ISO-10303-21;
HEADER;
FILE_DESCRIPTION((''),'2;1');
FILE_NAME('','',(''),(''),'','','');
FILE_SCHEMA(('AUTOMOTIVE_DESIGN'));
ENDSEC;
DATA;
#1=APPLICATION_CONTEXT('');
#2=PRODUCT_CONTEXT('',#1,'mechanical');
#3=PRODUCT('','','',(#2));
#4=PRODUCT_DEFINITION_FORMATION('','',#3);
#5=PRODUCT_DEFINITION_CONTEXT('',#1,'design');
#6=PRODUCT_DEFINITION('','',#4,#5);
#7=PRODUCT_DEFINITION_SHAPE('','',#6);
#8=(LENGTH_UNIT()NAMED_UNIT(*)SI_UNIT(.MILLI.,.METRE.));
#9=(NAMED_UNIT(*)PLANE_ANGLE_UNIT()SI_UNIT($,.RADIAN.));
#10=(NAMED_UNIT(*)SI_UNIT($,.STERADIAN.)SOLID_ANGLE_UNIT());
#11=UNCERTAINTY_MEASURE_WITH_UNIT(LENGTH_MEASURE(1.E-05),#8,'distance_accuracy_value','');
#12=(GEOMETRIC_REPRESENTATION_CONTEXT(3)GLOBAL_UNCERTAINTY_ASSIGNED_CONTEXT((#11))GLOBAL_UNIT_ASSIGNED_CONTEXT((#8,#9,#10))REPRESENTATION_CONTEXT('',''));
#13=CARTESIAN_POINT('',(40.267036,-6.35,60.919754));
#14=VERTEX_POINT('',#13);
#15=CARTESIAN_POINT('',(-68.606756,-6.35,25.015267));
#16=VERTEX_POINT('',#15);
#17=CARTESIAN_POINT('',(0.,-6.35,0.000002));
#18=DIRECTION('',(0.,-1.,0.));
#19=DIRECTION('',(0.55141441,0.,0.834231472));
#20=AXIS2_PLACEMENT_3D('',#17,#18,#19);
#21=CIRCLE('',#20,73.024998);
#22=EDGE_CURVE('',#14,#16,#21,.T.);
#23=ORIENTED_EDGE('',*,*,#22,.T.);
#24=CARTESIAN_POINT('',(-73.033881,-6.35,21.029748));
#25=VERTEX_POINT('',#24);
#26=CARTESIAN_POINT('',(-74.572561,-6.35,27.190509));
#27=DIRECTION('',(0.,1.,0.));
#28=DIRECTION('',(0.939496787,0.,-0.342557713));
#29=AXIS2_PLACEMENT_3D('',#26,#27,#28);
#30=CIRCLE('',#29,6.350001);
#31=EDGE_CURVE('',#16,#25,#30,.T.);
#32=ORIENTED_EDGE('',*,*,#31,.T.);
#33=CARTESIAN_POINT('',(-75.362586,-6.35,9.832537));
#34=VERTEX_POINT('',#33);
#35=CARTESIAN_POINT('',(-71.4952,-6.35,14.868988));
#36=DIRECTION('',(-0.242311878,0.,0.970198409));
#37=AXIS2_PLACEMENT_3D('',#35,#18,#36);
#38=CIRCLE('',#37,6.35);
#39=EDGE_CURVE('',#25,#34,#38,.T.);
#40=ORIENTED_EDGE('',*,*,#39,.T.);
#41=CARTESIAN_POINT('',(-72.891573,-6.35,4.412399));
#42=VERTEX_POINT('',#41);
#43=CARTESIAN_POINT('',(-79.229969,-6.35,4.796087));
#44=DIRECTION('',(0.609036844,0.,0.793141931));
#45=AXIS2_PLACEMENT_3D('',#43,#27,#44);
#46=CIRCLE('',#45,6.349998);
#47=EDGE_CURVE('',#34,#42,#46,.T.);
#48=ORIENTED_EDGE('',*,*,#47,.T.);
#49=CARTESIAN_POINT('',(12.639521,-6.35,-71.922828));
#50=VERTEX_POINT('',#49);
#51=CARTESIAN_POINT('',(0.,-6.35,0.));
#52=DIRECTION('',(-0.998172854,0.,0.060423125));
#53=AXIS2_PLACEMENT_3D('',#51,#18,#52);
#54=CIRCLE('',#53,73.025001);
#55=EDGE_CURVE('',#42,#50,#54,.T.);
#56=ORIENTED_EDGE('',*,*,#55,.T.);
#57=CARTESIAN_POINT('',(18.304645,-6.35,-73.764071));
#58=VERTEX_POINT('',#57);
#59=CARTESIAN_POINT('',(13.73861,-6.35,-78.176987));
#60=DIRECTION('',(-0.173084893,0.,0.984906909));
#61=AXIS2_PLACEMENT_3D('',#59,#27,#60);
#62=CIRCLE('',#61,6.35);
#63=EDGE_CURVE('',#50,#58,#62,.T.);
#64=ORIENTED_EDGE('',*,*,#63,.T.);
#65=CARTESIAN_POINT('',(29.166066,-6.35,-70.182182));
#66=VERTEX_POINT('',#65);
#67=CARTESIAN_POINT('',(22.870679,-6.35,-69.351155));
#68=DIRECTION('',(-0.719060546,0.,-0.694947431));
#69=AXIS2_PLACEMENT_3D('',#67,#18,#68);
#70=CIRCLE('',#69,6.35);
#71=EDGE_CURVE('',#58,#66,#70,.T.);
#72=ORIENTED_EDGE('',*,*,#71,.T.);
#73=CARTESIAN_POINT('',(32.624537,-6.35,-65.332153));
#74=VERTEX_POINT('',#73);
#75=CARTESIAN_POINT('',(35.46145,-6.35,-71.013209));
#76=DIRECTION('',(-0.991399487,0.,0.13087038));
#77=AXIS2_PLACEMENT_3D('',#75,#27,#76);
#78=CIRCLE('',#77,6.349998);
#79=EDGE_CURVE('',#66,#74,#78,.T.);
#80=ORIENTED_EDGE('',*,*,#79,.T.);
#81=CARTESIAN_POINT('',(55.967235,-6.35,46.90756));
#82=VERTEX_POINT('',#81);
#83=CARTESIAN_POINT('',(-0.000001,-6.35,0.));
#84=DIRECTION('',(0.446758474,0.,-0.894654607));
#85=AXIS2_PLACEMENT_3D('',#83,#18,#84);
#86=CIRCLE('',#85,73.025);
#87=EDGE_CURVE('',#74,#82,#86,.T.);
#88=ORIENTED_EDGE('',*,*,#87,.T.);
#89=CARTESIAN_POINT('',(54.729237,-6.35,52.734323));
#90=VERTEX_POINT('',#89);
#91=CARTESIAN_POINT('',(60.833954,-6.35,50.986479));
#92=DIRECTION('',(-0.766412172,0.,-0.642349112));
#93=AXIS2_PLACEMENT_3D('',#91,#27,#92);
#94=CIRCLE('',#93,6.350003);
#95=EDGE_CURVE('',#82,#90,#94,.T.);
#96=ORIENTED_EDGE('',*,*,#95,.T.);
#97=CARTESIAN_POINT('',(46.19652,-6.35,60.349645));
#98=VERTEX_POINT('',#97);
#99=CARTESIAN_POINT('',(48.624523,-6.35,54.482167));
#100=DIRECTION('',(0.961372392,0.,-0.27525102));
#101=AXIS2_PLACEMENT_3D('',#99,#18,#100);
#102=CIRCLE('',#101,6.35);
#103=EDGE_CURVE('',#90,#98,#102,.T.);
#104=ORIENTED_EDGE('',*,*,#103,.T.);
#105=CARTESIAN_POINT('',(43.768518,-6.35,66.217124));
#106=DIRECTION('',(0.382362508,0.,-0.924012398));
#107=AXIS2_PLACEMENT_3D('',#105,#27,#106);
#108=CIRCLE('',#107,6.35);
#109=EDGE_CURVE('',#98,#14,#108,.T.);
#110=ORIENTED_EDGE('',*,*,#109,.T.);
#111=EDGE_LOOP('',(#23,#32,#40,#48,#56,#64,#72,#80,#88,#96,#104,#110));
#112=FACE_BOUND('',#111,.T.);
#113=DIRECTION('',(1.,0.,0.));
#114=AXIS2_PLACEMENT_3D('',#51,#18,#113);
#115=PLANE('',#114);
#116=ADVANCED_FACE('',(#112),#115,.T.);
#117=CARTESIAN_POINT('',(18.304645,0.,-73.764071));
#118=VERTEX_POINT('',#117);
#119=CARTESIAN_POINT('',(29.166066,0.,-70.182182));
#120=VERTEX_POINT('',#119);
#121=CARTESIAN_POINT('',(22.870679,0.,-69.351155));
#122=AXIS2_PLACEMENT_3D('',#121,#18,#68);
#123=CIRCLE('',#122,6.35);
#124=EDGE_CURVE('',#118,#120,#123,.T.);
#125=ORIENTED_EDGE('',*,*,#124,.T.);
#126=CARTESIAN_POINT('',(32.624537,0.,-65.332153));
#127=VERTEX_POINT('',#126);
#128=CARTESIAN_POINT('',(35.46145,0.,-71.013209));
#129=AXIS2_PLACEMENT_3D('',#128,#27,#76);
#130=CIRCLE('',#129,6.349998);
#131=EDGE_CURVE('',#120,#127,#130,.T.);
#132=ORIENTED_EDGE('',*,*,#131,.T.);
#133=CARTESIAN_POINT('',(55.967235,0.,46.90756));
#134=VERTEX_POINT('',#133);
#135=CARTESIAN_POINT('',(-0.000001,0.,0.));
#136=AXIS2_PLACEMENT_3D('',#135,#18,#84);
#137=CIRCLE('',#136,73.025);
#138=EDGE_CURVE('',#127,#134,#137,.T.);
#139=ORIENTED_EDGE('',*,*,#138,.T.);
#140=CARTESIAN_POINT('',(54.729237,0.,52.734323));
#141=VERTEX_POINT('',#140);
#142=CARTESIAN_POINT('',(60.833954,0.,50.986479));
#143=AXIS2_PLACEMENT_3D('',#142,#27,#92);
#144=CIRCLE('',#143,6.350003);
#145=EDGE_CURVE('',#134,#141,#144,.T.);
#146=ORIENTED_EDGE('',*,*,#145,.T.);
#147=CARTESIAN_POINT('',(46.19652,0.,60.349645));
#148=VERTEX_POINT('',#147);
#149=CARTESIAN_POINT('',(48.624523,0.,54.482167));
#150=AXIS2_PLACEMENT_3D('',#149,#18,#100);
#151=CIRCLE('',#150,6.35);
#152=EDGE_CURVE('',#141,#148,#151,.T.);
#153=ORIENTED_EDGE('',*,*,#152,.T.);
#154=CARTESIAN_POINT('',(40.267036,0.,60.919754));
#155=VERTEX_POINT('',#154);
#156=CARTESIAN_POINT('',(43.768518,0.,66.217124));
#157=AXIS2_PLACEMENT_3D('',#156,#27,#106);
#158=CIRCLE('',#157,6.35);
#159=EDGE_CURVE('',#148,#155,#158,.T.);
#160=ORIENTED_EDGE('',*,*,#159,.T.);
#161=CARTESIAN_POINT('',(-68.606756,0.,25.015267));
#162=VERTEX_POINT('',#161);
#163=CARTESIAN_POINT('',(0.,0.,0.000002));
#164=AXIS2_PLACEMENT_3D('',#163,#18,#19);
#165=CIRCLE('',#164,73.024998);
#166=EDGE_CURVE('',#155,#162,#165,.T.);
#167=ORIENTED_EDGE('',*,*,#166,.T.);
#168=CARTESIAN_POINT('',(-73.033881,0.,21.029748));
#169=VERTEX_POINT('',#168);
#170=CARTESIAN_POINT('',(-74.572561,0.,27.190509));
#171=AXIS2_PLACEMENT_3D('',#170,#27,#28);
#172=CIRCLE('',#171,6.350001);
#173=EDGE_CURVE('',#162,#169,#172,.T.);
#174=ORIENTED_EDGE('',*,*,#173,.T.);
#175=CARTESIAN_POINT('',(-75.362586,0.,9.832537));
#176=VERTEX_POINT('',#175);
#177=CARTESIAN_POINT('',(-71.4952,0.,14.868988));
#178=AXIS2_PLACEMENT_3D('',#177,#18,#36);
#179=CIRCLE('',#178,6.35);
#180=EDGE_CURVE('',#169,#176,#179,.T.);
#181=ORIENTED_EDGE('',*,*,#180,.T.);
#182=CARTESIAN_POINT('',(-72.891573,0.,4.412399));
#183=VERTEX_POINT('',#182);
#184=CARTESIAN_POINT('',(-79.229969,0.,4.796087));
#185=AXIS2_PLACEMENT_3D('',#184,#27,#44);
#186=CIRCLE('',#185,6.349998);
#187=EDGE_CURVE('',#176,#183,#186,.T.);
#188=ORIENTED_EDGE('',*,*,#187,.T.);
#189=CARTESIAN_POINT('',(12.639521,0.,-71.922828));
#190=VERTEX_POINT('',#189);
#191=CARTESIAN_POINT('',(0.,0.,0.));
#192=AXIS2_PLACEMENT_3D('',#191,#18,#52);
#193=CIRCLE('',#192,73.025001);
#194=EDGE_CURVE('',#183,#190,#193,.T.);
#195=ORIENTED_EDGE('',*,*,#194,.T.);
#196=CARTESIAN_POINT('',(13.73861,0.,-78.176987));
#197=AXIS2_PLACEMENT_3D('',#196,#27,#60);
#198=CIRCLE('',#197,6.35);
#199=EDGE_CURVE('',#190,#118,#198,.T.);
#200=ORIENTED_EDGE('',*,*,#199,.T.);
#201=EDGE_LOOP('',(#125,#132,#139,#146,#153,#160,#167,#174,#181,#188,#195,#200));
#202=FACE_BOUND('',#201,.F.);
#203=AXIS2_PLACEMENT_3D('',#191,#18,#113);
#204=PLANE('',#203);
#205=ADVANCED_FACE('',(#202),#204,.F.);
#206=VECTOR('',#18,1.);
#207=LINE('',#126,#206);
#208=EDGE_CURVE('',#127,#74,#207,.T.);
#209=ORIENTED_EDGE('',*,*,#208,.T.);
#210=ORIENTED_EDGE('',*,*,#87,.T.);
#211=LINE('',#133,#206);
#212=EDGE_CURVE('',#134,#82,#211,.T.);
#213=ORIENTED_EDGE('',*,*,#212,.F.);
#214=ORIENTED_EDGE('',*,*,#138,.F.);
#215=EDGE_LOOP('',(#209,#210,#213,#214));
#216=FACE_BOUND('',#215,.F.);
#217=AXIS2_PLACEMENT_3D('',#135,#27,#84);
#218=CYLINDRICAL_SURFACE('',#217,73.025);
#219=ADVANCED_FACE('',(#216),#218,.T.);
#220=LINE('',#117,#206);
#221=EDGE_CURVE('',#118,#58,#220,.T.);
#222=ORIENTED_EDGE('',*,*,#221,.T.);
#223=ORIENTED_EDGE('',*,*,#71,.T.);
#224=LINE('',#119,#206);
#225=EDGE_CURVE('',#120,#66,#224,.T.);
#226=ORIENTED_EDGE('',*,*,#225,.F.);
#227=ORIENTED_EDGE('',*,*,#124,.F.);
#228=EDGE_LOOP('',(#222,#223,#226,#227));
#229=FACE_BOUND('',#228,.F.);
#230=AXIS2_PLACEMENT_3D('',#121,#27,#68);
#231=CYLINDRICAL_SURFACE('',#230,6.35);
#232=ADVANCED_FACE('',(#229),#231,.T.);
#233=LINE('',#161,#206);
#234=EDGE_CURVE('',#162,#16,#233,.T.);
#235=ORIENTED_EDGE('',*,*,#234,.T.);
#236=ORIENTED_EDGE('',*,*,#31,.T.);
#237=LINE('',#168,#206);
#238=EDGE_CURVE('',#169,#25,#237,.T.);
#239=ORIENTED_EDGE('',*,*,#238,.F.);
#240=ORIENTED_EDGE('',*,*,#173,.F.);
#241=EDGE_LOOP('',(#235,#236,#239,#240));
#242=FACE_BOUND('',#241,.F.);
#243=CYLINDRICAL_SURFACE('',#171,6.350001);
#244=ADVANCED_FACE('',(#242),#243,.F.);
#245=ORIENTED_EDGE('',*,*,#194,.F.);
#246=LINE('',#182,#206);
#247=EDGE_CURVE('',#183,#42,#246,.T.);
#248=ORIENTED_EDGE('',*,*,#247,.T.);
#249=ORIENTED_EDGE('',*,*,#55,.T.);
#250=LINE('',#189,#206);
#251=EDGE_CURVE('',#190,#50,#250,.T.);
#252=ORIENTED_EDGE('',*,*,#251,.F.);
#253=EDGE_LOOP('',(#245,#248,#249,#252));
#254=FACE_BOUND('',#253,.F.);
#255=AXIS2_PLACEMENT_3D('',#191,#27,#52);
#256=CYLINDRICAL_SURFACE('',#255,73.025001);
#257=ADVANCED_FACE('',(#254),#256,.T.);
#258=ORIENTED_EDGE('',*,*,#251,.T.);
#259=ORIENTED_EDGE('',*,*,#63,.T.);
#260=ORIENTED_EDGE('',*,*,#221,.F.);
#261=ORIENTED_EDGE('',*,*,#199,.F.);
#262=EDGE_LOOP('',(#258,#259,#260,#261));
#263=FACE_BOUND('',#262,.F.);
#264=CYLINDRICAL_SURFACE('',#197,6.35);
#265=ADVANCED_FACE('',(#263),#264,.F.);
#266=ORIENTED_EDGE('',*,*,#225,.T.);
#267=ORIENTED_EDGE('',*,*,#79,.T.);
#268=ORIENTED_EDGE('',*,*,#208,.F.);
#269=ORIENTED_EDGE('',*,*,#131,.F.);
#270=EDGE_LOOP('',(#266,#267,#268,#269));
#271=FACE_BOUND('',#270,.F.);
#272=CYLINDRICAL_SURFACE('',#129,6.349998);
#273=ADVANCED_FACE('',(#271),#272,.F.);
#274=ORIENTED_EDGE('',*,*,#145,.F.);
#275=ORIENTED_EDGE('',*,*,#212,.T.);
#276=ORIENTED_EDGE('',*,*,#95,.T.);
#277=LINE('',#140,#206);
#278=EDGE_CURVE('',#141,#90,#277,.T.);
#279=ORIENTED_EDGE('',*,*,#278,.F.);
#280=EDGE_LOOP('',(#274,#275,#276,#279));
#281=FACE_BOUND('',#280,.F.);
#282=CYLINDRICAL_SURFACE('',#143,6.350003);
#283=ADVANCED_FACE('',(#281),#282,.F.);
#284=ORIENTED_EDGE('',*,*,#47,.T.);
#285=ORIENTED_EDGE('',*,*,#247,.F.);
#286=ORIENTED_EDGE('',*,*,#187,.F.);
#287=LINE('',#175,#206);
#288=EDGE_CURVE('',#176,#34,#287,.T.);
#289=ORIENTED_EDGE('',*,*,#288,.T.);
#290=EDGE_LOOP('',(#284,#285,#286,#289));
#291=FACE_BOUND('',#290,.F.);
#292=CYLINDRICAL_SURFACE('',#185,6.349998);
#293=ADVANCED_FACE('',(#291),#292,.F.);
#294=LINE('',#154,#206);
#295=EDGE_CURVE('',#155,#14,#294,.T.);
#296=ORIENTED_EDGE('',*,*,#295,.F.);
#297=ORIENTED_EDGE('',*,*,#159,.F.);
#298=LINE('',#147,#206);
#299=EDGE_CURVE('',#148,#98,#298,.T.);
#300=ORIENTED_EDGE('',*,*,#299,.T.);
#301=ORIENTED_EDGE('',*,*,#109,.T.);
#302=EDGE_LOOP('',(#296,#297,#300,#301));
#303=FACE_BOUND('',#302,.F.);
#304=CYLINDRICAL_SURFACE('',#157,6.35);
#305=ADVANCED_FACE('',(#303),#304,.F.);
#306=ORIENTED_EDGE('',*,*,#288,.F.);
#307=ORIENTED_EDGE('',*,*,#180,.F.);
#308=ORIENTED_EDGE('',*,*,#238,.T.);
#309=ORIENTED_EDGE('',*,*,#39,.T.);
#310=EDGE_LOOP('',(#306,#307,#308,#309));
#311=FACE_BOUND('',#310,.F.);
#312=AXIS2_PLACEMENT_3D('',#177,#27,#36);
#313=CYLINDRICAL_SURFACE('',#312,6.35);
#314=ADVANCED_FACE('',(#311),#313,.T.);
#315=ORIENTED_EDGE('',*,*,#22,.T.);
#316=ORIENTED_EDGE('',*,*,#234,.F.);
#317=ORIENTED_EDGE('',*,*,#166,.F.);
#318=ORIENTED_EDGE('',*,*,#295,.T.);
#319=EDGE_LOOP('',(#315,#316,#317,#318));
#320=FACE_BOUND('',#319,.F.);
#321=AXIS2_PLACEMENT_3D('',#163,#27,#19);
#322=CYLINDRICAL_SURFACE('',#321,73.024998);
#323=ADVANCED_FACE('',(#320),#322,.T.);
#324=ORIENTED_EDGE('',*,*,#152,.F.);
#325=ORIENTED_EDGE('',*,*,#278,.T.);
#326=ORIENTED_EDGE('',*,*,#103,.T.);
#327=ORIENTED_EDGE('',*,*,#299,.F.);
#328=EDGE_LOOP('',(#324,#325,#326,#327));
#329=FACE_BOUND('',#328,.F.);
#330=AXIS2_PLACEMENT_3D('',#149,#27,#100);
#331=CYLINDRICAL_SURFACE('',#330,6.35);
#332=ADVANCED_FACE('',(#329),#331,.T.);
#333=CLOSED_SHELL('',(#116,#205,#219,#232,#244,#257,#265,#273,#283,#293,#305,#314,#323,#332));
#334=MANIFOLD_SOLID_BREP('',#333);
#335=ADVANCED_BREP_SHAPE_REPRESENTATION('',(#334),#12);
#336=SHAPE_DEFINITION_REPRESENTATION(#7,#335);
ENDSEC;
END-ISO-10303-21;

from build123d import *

# Parameters (mm, degrees)
F1_DEPTH = 6.35
F2_DEPTH = 6.35


with BuildPart() as f1:
    # F0 (on Front) → F1 (new body)
    with BuildSketch(Plane.XZ):
        with BuildLine():
            ThreePointArc((46.19652, 60.349645), (43.160779, 59.896273), (40.267036, 60.919754))
            ThreePointArc((40.267036, 60.919754), (-22.87068, 69.351155), (-68.606756, 25.015267))
            ThreePointArc((-68.606756, 25.015267), (-70.323983, 22.471177), (-73.033881, 21.029748))
            ThreePointArc((-73.033881, 21.029748), (-77.712175, 16.161943), (-75.362586, 9.832537))
            ThreePointArc((-75.362586, 9.832537), (-73.452084, 7.430195), (-72.891573, 4.412399))
            ThreePointArc((-72.891573, 4.412399), (-48.624522, -54.482167), (12.639521, -71.922828))
            ThreePointArc((12.639521, -71.922828), (15.701382, -72.137945), (18.304645, -73.764071))
            ThreePointArc((18.304645, -73.764071), (24.859434, -75.38169), (29.166066, -70.182182))
            ThreePointArc((29.166066, -70.182182), (30.291304, -67.326468), (32.624537, -65.332153))
            ThreePointArc((32.624537, -65.332153), (71.495201, -14.868988), (55.967235, 46.90756))
            ThreePointArc((55.967235, 46.90756), (54.622602, 49.666768), (54.729237, 52.734323))
            ThreePointArc((54.729237, 52.734323), (52.852741, 59.219747), (46.19652, 60.349645))
        make_face()
    extrude(amount=F1_DEPTH)

    # F0 (on Front) → F2 (join)
    with BuildSketch(Plane.XZ):
        with BuildLine():
            ThreePointArc((46.19652, 60.349645), (43.160779, 59.896273), (40.267036, 60.919754))
            ThreePointArc((40.267036, 60.919754), (-22.87068, 69.351155), (-68.606756, 25.015267))
            ThreePointArc((-68.606756, 25.015267), (-70.323983, 22.471177), (-73.033881, 21.029748))
            ThreePointArc((-73.033881, 21.029748), (-77.712175, 16.161943), (-75.362586, 9.832537))
            ThreePointArc((-75.362586, 9.832537), (-73.452084, 7.430195), (-72.891573, 4.412399))
            ThreePointArc((-72.891573, 4.412399), (-48.624522, -54.482167), (12.639521, -71.922828))
            ThreePointArc((12.639521, -71.922828), (15.701382, -72.137945), (18.304645, -73.764071))
            ThreePointArc((18.304645, -73.764071), (24.859434, -75.38169), (29.166066, -70.182182))
            ThreePointArc((29.166066, -70.182182), (30.291304, -67.326468), (32.624537, -65.332153))
            ThreePointArc((32.624537, -65.332153), (71.495201, -14.868988), (55.967235, 46.90756))
            ThreePointArc((55.967235, 46.90756), (54.622602, 49.666768), (54.729237, 52.734323))
            ThreePointArc((54.729237, 52.734323), (52.852741, 59.219747), (46.19652, 60.349645))
        make_face()
    extrude(amount=F2_DEPTH)


solid = f1.part
